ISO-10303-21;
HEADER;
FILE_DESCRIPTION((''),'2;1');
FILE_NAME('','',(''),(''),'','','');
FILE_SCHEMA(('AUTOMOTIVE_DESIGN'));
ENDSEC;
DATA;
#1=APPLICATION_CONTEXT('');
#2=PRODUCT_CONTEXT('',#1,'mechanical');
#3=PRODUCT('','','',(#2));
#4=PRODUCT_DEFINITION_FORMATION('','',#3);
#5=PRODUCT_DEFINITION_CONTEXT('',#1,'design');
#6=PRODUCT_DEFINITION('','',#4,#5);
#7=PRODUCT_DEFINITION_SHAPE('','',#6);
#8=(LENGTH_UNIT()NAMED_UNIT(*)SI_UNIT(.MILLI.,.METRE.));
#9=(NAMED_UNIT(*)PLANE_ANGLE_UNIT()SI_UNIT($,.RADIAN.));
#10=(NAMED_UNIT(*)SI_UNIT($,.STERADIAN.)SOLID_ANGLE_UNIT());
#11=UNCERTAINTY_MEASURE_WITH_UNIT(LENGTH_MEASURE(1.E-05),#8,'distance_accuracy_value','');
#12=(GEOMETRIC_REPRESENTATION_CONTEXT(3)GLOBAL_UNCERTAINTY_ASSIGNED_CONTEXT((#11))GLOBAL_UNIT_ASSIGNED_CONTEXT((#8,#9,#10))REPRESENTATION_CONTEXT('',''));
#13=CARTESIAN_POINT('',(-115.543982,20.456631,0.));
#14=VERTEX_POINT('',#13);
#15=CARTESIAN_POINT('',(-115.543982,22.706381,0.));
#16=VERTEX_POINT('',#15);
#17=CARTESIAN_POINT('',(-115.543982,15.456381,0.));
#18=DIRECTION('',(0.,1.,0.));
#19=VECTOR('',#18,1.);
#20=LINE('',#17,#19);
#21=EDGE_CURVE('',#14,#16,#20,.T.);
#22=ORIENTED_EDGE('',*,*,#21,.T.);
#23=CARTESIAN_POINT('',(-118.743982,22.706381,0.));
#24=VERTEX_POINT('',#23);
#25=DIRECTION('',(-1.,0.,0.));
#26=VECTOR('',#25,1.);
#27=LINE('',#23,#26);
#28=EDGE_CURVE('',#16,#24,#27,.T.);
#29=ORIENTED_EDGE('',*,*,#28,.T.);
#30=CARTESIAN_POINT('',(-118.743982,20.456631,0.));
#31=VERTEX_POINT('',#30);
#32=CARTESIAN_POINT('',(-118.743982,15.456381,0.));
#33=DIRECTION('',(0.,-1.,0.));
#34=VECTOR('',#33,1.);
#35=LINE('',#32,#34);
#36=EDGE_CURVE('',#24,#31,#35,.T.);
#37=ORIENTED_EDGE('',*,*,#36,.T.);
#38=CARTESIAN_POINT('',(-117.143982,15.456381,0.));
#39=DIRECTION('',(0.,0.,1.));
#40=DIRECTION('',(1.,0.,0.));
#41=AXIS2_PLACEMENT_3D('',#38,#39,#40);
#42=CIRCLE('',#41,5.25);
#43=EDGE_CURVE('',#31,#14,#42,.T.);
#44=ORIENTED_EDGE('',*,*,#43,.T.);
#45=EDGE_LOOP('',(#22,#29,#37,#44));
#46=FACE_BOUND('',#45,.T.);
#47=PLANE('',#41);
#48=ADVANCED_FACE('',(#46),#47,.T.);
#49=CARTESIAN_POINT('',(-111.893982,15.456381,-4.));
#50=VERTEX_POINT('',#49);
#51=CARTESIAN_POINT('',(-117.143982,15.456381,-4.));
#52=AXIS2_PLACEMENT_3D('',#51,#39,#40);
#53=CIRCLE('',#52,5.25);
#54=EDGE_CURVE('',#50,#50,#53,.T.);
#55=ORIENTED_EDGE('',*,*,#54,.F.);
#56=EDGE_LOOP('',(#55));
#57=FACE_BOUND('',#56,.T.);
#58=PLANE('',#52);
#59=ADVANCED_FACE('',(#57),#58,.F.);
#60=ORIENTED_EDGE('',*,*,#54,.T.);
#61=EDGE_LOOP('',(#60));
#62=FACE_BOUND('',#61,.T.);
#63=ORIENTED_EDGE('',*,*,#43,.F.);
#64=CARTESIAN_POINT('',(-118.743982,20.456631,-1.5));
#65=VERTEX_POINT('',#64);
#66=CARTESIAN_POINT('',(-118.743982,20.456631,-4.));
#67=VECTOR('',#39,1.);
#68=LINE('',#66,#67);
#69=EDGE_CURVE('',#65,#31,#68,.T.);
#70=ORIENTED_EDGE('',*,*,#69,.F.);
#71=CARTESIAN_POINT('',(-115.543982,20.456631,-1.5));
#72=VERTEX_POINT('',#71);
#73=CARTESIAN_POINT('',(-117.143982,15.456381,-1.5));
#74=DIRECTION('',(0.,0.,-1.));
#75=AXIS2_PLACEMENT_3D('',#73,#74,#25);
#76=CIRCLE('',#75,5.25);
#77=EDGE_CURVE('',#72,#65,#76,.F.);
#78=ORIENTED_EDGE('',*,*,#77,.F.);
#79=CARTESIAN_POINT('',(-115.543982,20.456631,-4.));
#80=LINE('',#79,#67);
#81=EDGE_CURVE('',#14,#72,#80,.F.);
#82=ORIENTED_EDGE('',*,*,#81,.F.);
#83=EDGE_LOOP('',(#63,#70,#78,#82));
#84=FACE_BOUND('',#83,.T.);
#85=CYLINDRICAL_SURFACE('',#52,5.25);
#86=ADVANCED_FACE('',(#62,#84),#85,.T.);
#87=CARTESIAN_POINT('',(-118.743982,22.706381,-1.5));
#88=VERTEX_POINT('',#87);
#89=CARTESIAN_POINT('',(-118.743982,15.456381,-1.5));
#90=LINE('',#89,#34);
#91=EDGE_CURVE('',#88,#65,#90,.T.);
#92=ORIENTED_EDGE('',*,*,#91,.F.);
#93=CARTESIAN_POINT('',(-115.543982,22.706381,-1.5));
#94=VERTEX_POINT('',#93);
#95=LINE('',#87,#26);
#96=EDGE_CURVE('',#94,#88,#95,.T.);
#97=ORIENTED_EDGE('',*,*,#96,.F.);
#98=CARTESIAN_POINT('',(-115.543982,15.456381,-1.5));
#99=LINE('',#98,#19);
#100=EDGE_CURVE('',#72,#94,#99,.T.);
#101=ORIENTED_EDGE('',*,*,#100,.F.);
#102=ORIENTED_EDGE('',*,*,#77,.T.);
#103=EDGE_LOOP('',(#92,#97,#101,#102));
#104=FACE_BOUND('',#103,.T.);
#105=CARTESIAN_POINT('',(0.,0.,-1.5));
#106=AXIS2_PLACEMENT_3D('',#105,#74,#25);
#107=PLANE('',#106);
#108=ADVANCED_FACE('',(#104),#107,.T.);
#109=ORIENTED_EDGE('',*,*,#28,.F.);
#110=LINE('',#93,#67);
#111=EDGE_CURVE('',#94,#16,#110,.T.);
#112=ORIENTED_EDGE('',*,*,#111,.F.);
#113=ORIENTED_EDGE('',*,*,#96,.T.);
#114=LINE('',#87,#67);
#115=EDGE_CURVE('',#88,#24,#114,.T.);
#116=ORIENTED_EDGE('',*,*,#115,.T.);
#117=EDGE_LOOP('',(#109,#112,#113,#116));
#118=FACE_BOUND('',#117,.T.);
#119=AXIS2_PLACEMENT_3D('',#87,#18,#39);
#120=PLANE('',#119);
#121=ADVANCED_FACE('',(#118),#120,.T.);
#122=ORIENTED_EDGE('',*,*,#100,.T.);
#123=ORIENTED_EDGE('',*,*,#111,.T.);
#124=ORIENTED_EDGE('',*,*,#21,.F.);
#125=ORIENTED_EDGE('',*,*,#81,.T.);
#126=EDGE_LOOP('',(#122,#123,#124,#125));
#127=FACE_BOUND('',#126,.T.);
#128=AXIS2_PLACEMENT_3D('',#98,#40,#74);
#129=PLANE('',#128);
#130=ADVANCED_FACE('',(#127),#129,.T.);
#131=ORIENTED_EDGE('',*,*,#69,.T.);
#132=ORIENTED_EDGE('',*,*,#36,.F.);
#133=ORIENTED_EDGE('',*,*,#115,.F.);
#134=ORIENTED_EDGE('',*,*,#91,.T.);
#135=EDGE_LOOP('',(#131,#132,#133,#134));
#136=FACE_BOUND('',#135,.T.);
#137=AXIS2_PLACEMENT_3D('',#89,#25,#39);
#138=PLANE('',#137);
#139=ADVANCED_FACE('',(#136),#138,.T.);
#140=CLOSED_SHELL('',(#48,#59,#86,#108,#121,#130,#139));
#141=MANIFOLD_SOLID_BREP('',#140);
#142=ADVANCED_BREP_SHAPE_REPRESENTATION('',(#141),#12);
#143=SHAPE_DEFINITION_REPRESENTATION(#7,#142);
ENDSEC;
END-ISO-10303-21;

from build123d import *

# Parameters (mm, degrees)
SKIZZE1_R                       = 5.25
AUFSATZ_LINEAR_AUSTRAGEN1_DEPTH = 4
SKIZZE2_W                       = 3.2
SKIZZE2_H                       = 7.25
AUFSATZ_LINEAR_AUSTRAGEN2_DEPTH = 1.5


with BuildPart() as part:
    # Skizze1 → Aufsatz-Linear austragen1 (new body)
    with BuildSketch(Plane.XY):
        with Locations((-117.143982167, 15.456381225)):
            Circle(SKIZZE1_R)
    extrude(amount=-AUFSATZ_LINEAR_AUSTRAGEN1_DEPTH)

    # Skizze2 → Aufsatz-Linear austragen2 (add)
    with BuildSketch(Plane.XY):
        with Locations((-117.143982167, 19.081381225)):
            Rectangle(SKIZZE2_W, SKIZZE2_H)
    extrude(amount=-AUFSATZ_LINEAR_AUSTRAGEN2_DEPTH)


solid = part.part
